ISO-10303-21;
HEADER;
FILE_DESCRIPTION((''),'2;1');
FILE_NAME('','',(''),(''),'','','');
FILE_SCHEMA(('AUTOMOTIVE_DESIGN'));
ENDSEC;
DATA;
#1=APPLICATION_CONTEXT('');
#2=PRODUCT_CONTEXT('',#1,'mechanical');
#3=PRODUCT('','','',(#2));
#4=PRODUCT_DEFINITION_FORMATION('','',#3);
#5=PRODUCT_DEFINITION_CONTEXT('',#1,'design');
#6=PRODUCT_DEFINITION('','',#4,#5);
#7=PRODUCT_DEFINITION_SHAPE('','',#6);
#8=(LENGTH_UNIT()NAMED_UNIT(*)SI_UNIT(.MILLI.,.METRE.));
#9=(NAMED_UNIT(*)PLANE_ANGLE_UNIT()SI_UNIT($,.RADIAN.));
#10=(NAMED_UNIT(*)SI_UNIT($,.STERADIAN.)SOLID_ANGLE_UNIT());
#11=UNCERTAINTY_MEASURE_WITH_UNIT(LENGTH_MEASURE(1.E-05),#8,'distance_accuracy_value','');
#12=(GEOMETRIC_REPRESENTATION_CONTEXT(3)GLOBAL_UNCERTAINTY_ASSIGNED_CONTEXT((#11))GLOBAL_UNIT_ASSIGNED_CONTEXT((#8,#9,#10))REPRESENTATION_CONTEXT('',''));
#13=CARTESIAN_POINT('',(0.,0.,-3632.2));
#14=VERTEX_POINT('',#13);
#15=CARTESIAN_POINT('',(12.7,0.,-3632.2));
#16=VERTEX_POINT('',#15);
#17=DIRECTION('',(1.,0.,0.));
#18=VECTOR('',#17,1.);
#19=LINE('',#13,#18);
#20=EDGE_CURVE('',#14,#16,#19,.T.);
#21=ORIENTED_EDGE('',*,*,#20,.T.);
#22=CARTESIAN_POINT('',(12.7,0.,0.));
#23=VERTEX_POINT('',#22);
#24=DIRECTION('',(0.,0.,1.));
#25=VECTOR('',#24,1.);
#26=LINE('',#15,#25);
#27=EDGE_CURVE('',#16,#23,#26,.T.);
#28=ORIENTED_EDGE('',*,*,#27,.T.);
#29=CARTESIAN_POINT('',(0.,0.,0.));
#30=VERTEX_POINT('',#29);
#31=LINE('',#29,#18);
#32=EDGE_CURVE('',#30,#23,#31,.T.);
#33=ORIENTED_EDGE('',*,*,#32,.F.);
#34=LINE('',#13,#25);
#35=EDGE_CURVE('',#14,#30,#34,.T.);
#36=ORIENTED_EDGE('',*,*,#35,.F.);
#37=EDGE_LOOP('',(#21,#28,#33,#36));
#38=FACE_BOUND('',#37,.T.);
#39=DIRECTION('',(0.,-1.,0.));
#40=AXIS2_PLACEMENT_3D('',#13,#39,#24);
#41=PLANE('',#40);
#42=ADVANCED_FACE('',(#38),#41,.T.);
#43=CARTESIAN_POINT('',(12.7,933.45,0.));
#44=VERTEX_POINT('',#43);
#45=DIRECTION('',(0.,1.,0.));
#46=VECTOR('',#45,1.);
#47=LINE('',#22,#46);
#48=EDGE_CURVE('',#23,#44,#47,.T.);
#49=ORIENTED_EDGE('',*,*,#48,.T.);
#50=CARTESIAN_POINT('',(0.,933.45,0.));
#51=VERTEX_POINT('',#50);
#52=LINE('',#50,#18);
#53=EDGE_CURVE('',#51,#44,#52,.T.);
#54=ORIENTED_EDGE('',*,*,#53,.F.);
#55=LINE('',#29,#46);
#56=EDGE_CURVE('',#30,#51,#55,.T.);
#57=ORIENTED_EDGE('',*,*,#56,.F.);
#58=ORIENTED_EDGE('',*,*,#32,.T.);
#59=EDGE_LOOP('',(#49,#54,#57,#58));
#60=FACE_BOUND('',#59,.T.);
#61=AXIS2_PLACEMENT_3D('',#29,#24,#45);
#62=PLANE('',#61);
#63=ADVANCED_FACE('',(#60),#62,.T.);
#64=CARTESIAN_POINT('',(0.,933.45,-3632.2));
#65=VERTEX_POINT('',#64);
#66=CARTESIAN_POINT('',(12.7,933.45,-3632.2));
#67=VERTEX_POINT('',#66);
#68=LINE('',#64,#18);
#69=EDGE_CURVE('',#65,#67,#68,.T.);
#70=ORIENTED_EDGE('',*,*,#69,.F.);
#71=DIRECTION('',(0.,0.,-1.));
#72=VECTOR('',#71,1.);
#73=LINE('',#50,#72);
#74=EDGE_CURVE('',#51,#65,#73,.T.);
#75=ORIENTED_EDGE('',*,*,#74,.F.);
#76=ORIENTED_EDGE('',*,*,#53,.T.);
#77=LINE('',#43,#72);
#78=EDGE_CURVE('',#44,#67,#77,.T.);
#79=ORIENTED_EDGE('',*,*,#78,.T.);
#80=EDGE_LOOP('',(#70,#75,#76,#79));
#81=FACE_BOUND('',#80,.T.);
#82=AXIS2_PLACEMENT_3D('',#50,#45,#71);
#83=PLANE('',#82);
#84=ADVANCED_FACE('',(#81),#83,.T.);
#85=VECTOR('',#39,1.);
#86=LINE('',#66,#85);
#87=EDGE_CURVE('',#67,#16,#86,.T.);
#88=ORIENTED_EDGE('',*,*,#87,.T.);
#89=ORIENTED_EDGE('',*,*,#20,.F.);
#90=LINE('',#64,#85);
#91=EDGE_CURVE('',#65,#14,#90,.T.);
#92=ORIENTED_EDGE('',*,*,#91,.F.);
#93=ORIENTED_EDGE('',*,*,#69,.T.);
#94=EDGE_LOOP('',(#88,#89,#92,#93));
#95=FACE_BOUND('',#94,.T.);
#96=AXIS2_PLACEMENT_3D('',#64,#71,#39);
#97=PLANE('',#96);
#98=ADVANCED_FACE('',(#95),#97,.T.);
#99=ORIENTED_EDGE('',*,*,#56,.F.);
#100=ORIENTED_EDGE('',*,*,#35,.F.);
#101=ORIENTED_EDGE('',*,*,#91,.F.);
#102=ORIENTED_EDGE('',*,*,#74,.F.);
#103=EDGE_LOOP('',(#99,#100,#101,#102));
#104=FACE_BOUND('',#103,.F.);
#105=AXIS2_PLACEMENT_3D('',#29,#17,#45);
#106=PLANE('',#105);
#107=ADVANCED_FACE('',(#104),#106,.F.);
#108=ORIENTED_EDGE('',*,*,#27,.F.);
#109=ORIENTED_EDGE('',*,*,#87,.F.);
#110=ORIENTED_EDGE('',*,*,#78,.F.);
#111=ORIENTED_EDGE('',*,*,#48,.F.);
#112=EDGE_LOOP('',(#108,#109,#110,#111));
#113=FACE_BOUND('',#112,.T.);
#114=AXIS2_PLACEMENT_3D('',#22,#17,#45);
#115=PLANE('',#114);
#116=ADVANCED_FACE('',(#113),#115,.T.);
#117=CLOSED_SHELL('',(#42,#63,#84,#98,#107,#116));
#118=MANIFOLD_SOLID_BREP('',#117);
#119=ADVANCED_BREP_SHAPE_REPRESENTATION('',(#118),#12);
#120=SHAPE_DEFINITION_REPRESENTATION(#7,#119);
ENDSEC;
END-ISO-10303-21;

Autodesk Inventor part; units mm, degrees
ref_plane "YZ Plane" through (0, 0, 0) normal (1, 0, 0) x (0, 1, 0)
ref_plane "XZ Plane" through (0, 0, 0) normal (0, 1, 0) x (-1, 0, 0)
ref_plane "XY Plane" through (0, 0, 0) normal (0, 0, 1) x (1, 0, 0)
sketch "Sketch1" plane through (0, 0, 0) normal (1, 0, 0) x (0, 1, 0)
  line L0 (0, 0) -> (933.45, 0)
  line L1 (933.45, 0) -> (933.45, -3632.2)
  line L2 (933.45, -3632.2) -> (0, -3632.2)
  line L3 (0, -3632.2) -> (0, 0)
  dimension "d0" = 3632.2
  dimension "d1" = 933.45
sketch "Sketch2" plane through (0, 0, 0) normal (1, 0, 0) x (0, 1, 0)
  point P0 (0, 0)
extrude "Extrusion1" add sketch "Sketch1" along normal blind 12.7
properties part number "PSHalfWall-ver1-1111-2021"
